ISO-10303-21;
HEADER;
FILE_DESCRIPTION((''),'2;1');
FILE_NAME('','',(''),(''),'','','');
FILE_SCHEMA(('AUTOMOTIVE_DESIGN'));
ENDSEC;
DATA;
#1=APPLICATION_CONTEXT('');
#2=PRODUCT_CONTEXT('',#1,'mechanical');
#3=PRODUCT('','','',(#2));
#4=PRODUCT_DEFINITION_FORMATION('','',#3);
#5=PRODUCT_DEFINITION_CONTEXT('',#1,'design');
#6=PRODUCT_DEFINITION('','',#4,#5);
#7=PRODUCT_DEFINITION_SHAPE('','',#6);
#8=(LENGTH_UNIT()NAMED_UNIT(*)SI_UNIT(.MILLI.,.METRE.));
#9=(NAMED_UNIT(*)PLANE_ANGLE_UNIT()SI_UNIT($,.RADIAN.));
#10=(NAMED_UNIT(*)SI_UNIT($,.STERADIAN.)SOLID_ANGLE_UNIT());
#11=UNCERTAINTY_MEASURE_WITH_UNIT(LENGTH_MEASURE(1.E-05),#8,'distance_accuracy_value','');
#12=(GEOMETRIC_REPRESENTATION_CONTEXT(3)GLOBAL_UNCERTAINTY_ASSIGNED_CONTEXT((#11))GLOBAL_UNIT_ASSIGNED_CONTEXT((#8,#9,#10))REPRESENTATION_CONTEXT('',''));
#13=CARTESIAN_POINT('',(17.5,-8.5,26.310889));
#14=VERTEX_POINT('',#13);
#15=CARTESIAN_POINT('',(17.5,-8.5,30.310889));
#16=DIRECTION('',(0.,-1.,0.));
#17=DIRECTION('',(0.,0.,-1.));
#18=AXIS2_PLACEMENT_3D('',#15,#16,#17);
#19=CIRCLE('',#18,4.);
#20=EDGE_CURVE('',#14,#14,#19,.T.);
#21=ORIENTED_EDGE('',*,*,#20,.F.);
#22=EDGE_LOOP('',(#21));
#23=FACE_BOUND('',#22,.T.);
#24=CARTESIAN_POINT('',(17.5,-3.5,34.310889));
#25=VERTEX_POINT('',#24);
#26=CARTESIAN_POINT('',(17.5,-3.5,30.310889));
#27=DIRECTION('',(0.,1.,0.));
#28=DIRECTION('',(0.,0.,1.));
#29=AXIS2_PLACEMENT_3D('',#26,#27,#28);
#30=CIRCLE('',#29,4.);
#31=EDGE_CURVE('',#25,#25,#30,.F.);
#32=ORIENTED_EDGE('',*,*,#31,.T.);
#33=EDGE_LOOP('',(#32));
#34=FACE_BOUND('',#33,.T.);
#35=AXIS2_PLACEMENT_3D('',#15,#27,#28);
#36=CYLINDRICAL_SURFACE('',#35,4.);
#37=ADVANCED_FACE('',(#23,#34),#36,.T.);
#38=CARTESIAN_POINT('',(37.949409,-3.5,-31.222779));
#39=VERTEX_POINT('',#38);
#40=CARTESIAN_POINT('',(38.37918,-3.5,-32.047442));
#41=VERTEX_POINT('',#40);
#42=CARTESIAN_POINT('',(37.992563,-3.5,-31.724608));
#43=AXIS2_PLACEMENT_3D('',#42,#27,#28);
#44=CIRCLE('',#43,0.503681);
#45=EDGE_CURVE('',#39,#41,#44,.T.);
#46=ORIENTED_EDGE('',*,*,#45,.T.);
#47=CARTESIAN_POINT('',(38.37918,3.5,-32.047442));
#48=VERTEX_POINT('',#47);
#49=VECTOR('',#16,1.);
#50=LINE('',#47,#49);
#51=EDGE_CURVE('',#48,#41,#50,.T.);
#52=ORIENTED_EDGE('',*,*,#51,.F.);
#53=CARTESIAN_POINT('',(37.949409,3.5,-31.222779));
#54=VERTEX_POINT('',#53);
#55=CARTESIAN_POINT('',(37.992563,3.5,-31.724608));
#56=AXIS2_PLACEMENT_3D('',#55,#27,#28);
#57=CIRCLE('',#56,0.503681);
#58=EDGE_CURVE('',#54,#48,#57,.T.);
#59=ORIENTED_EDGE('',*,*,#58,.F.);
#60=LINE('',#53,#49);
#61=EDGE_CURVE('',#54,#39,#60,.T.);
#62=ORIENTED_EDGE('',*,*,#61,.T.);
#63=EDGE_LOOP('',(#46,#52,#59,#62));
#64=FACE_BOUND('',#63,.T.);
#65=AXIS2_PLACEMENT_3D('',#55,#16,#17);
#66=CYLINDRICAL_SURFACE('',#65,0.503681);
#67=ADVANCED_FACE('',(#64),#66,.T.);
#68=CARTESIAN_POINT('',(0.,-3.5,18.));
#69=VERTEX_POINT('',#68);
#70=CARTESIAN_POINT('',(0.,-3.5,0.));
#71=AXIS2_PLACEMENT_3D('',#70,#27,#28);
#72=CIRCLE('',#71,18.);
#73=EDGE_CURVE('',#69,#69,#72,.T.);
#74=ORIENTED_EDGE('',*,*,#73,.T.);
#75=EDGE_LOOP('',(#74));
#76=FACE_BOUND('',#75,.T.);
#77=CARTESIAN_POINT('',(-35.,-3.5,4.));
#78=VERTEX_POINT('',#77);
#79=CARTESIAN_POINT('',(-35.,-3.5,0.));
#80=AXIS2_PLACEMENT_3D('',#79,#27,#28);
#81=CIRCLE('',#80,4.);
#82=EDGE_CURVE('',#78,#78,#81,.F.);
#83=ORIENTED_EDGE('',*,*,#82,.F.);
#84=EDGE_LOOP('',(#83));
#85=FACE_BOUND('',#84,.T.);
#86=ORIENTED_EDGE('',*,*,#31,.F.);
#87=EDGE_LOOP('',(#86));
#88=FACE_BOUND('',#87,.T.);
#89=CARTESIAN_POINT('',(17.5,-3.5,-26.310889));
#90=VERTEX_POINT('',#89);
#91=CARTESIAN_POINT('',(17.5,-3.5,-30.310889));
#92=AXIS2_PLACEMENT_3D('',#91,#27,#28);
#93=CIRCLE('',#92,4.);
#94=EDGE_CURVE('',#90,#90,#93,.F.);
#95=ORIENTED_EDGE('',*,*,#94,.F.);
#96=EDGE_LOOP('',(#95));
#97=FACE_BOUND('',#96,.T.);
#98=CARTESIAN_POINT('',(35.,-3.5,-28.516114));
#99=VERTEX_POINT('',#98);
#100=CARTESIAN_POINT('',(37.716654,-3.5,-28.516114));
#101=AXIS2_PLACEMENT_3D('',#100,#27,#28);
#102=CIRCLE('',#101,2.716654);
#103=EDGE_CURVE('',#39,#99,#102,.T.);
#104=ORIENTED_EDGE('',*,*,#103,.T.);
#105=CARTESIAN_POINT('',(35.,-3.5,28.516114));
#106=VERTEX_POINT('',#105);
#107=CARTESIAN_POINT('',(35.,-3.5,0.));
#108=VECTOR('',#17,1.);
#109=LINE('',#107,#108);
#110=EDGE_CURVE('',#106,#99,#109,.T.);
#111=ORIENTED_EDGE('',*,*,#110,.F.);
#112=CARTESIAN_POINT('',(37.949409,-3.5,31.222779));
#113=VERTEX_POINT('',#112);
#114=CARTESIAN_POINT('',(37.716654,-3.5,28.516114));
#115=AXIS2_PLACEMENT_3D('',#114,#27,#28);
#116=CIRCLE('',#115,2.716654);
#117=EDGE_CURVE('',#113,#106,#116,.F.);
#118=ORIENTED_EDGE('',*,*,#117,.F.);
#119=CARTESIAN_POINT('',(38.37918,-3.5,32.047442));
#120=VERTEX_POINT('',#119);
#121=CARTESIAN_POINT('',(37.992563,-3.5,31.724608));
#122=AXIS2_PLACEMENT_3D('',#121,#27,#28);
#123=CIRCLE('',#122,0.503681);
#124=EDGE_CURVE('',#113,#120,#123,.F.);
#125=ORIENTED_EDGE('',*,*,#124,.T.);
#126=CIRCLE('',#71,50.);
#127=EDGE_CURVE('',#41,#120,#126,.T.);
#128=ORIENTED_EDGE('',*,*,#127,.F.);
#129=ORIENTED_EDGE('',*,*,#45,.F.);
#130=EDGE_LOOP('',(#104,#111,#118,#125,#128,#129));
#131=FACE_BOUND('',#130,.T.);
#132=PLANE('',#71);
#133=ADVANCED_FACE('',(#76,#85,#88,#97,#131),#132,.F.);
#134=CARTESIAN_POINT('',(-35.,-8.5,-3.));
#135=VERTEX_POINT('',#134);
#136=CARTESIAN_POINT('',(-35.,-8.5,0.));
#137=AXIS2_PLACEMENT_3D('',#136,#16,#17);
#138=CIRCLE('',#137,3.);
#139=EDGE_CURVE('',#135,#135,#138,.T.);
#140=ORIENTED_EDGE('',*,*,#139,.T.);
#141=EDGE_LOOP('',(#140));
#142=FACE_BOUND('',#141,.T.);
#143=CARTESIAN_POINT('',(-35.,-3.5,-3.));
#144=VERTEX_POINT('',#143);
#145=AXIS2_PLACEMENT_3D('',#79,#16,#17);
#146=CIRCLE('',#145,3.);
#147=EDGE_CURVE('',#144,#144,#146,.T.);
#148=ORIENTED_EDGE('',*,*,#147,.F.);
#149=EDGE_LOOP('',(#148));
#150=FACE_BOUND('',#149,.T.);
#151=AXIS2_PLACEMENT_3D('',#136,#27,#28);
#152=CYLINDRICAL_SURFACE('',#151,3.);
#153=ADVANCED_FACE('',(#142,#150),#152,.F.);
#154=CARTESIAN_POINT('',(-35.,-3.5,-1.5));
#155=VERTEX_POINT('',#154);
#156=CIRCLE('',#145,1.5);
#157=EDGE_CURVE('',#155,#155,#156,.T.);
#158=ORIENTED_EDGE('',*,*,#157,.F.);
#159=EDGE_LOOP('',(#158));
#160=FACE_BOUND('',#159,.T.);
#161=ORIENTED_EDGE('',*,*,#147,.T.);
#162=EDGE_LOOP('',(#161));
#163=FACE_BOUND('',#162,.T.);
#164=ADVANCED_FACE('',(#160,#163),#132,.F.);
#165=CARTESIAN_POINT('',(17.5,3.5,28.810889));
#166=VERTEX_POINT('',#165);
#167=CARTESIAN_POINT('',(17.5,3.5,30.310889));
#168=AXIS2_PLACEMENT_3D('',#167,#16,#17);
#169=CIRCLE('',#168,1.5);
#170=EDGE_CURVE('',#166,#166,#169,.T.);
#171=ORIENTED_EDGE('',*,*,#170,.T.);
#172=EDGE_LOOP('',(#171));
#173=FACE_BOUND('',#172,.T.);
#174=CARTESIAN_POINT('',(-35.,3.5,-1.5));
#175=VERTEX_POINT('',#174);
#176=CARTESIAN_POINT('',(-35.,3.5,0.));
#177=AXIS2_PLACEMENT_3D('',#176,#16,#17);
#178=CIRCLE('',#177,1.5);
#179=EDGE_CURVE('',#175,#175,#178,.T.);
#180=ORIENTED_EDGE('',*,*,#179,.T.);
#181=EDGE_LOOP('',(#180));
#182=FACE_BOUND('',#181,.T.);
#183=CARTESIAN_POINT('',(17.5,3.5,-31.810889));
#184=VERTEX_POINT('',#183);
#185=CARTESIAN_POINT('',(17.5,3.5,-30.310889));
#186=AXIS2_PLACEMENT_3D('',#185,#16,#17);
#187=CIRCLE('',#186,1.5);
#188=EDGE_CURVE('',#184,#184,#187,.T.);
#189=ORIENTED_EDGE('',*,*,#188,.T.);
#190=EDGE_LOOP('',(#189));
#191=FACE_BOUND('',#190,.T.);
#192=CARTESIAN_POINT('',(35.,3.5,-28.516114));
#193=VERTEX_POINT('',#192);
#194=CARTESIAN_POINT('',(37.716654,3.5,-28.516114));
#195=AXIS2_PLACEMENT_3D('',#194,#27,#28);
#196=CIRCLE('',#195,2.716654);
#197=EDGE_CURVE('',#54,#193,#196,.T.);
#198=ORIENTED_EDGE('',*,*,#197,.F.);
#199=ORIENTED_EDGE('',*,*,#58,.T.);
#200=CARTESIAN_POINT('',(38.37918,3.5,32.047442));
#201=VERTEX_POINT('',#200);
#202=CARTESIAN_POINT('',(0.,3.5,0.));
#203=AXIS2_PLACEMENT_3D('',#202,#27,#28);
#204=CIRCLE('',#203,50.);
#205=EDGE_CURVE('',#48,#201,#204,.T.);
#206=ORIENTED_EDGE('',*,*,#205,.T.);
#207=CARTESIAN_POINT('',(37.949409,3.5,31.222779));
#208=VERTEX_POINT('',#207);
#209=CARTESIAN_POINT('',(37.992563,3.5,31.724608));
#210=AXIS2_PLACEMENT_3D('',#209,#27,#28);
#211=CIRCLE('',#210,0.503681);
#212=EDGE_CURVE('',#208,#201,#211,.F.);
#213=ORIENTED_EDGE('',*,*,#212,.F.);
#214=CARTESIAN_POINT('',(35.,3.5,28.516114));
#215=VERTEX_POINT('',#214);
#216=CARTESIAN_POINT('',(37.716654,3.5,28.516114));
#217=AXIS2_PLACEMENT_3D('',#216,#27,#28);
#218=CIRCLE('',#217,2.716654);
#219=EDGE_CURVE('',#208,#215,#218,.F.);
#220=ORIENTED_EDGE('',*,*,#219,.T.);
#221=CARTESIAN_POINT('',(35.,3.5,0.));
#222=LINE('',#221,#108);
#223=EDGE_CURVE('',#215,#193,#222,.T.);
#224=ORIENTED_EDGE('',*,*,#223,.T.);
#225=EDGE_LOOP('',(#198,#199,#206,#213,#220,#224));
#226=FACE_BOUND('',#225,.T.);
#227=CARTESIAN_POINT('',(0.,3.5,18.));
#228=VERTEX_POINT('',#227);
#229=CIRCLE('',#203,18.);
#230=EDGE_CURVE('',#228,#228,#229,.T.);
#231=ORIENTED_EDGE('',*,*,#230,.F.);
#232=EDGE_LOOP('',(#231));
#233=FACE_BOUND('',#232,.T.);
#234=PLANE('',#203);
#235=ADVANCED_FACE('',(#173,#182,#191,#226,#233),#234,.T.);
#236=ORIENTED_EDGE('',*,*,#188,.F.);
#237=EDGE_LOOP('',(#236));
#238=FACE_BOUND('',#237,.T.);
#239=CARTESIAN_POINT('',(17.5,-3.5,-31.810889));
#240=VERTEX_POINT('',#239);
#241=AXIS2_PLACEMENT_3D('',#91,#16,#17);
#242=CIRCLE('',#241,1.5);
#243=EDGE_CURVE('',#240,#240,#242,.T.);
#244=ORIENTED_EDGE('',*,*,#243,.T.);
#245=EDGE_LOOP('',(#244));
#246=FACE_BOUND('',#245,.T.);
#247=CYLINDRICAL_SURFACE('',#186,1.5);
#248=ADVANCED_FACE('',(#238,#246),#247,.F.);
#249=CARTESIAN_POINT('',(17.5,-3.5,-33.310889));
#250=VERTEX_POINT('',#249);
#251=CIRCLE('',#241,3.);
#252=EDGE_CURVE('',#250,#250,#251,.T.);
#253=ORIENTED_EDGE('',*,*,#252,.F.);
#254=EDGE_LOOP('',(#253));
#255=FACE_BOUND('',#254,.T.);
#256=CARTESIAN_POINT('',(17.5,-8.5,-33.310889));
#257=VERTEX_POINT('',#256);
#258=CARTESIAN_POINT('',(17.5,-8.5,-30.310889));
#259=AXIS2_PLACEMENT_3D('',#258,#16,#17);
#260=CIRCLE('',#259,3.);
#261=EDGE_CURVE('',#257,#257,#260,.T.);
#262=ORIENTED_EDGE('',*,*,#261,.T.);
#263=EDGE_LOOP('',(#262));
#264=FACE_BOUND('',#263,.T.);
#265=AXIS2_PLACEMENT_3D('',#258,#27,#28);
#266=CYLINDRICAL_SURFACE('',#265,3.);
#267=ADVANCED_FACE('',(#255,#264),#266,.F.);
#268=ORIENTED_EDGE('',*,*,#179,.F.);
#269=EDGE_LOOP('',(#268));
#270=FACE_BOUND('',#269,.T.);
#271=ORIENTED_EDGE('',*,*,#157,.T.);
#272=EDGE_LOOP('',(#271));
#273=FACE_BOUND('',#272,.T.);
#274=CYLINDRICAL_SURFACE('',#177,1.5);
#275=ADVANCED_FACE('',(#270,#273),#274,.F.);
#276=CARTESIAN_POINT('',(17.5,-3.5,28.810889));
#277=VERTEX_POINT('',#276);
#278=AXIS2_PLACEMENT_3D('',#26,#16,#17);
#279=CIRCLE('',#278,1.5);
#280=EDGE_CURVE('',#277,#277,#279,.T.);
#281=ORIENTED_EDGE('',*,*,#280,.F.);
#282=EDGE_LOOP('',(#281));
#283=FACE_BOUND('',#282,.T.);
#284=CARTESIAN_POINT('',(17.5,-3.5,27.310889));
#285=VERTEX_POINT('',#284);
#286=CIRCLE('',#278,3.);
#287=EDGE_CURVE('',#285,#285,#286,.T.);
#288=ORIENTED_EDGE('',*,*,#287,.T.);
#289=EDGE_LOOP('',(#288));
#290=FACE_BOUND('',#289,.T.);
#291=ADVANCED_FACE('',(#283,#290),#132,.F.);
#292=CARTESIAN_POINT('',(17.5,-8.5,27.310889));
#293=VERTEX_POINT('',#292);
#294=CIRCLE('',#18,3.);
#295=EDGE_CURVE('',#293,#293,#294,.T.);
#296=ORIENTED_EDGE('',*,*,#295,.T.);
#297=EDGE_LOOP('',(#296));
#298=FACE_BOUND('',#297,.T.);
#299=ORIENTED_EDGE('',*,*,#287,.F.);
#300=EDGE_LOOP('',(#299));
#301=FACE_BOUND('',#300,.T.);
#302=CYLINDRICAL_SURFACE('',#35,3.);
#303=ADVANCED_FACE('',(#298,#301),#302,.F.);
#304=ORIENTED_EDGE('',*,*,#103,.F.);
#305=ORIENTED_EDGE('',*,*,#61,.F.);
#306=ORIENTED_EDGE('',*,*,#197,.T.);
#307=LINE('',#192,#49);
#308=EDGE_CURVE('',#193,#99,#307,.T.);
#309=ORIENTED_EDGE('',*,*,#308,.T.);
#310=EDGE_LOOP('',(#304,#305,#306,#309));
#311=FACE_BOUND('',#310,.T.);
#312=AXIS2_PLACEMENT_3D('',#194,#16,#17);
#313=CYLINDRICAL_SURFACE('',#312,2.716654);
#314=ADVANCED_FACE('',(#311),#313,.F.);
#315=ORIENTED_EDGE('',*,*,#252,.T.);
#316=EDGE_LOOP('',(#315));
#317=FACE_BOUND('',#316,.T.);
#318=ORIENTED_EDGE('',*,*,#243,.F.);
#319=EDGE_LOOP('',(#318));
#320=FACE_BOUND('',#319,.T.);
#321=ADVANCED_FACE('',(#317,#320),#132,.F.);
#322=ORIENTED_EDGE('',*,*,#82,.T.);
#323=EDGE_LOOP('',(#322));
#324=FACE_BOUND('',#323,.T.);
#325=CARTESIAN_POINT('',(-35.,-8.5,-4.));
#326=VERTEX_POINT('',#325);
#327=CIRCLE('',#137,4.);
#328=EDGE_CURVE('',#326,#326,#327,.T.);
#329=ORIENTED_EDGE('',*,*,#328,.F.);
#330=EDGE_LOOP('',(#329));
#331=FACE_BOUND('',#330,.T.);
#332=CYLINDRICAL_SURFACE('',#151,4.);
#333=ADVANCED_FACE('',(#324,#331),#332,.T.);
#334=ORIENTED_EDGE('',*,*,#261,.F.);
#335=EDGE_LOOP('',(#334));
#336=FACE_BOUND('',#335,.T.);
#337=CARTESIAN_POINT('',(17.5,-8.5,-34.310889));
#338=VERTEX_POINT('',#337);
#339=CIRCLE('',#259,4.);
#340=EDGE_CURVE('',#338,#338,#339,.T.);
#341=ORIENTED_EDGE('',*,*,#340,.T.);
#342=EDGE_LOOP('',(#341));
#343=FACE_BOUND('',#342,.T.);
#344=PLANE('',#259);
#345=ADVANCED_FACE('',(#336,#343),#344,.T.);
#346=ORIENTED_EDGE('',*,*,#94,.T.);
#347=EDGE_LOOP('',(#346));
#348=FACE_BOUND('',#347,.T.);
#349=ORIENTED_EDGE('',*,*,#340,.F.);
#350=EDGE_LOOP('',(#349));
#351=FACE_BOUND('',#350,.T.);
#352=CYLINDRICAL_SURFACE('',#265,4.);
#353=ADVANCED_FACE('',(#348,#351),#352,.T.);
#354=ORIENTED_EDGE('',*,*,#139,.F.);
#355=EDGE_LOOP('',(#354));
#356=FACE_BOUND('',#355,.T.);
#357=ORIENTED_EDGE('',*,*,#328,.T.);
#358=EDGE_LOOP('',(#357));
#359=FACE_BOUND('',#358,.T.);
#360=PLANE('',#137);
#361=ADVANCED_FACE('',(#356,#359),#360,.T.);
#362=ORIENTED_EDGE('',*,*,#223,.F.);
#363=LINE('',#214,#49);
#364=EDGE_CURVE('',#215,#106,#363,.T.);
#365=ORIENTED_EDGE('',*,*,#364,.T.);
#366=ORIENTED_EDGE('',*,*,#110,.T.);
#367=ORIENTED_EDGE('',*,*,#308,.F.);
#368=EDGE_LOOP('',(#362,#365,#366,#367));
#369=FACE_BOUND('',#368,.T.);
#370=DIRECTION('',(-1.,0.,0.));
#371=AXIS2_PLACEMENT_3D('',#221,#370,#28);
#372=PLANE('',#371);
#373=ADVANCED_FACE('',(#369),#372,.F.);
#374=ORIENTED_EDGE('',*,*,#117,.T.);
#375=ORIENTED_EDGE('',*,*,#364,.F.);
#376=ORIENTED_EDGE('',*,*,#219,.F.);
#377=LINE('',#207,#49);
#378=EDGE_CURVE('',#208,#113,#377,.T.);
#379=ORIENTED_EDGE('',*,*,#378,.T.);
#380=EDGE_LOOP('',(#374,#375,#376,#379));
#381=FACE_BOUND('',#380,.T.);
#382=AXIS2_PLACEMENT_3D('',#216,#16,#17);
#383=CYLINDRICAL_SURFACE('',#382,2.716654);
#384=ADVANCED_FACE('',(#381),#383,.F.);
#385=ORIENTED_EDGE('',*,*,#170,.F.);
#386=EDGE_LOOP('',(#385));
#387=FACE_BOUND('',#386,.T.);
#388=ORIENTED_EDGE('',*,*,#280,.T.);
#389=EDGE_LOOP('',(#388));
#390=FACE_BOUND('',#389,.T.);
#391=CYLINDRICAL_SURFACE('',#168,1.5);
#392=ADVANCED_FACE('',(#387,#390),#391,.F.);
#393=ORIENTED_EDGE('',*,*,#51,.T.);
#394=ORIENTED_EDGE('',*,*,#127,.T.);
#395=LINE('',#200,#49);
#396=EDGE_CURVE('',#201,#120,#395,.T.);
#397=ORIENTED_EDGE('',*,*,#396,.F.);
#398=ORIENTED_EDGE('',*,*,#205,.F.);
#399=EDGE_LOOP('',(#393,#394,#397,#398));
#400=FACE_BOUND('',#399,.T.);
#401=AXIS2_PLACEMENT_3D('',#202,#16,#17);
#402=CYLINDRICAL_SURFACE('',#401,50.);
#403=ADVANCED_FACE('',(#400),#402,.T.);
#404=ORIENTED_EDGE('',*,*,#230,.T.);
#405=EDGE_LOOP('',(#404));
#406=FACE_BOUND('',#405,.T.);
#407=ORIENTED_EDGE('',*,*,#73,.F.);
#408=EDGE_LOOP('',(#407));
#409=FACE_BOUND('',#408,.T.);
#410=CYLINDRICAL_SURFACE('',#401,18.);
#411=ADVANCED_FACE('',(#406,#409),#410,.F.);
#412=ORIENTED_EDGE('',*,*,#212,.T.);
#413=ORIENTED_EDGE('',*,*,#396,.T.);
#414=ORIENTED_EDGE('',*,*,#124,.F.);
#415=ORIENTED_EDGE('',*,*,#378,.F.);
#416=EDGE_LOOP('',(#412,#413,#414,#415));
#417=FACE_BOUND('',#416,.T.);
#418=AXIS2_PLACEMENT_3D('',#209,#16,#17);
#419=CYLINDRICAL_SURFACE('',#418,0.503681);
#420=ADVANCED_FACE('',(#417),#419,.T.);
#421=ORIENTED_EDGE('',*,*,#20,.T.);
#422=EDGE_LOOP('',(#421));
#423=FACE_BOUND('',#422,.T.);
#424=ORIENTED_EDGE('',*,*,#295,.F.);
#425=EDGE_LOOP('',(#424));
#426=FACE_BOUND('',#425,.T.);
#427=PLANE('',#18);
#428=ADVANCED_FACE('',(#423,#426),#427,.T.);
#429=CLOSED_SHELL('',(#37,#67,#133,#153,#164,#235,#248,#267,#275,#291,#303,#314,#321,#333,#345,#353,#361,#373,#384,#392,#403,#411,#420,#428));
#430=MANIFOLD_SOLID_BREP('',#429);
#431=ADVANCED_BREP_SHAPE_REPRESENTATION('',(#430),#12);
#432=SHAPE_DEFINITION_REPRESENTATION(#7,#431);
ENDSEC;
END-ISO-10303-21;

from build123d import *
from build123d.topology import SkipClean

# Parameters (mm, degrees)
SALIENTE_EXTRUIR1_DEPTH = 3.5
CROQUIS2_R              = 1.5
CORTAR_EXTRUIR1_DEPTH   = 7
CROQUIS3_R              = 4
CROQUIS3_R_2            = 3
SALIENTE_EXTRUIR2_DEPTH = 5


with BuildPart() as part:
    # Croquis1 → Saliente-Extruir1 (new, symmetric)
    with SkipClean():  # the faces are left unmerged after this step: merging them gives an invalid solid
        with BuildSketch(Plane(origin=(0, 0, 0), x_dir=(1, 0, 0), z_dir=(0, 1, 0))):
            with BuildLine():
                Line((35, 0), (18, 0))
                ThreePointArc((18, 0), (0, -18), (-18, 0))
                Line((-18, 0), (-50, 0))
                ThreePointArc((-50, 0), (-17.044661679, -47.005100875), (38.37918033, -32.047441664))
                ThreePointArc((38.37918033, -32.047441664), (38.439227262, -31.49182987), (37.949409202, -31.222779006))
                ThreePointArc((37.949409202, -31.222779006), (35.879823326, -30.517678888), (35, -28.516113802))
                Line((35, -28.516113802), (35, 0))
            make_face()
            with BuildLine():
                ThreePointArc((-18, 0), (0, 18), (18, 0))
                Line((18, 0), (35, 0))
                Line((35, 0), (35, 28.516113802))
                ThreePointArc((35, 28.516113802), (35.879823326, 30.517678888), (37.949409202, 31.222779006))
                ThreePointArc((37.949409202, 31.222779006), (38.439227262, 31.49182987), (38.37918033, 32.047441664))
                ThreePointArc((38.37918033, 32.047441664), (36.735192641, 33.919398898), (35, 35.707142143))
                ThreePointArc((35, 35.707142143), (-19.364916731, 46.097722286), (-50, 0))
                Line((-50, 0), (-18, 0))
            make_face()
        extrude(amount=SALIENTE_EXTRUIR1_DEPTH, both=True)

    # Croquis2 → Cortar-Extruir1 (cut)
    with SkipClean():  # the faces are left unmerged after this step: merging them gives an invalid solid
        with BuildSketch(Plane.XZ.offset(3.5)):
            with Locations(Location((17.5, 30.310889132, 0), (0, 0, 270))):
                Circle(CROQUIS2_R)
            with Locations(Location((-35, 0, 0), (0, 0, 270))):
                Circle(CROQUIS2_R)
            with Locations(Location((17.5, -30.310889132, 0), (0, 0, 270))):
                Circle(CROQUIS2_R)
        extrude(amount=-CORTAR_EXTRUIR1_DEPTH, mode=Mode.SUBTRACT)

    # Croquis3 → Saliente-Extruir2 (add)
    # profile 1 of 3: a face of its own
    with SkipClean():  # the faces are left unmerged after this step: merging them gives an invalid solid
        with BuildSketch(Plane.XZ.offset(3.5)):
            with Locations(Location((-35, 0, 0), (0, 0, 90))):
                Circle(CROQUIS3_R)
            with Locations(Location((-35, 0, 0), (0, 0, 270))):
                Circle(CROQUIS3_R_2, mode=Mode.SUBTRACT)
        # profile 2 of 3: a face of its own
        with BuildSketch(Plane.XZ.offset(3.5)):
            with Locations(Location((17.5, 30.310889132, 0), (0, 0, 90))):
                Circle(CROQUIS3_R)
            with Locations(Location((17.5, 30.310889132, 0), (0, 0, 270))):
                Circle(CROQUIS3_R_2, mode=Mode.SUBTRACT)
        # profile 3 of 3: a face of its own
        with BuildSketch(Plane.XZ.offset(3.5)):
            with Locations(Location((17.5, -30.310889132, 0), (0, 0, 90))):
                Circle(CROQUIS3_R)
            with Locations(Location((17.5, -30.310889132, 0), (0, 0, 270))):
                Circle(CROQUIS3_R_2, mode=Mode.SUBTRACT)
        extrude(amount=SALIENTE_EXTRUIR2_DEPTH)


solid = part.part
